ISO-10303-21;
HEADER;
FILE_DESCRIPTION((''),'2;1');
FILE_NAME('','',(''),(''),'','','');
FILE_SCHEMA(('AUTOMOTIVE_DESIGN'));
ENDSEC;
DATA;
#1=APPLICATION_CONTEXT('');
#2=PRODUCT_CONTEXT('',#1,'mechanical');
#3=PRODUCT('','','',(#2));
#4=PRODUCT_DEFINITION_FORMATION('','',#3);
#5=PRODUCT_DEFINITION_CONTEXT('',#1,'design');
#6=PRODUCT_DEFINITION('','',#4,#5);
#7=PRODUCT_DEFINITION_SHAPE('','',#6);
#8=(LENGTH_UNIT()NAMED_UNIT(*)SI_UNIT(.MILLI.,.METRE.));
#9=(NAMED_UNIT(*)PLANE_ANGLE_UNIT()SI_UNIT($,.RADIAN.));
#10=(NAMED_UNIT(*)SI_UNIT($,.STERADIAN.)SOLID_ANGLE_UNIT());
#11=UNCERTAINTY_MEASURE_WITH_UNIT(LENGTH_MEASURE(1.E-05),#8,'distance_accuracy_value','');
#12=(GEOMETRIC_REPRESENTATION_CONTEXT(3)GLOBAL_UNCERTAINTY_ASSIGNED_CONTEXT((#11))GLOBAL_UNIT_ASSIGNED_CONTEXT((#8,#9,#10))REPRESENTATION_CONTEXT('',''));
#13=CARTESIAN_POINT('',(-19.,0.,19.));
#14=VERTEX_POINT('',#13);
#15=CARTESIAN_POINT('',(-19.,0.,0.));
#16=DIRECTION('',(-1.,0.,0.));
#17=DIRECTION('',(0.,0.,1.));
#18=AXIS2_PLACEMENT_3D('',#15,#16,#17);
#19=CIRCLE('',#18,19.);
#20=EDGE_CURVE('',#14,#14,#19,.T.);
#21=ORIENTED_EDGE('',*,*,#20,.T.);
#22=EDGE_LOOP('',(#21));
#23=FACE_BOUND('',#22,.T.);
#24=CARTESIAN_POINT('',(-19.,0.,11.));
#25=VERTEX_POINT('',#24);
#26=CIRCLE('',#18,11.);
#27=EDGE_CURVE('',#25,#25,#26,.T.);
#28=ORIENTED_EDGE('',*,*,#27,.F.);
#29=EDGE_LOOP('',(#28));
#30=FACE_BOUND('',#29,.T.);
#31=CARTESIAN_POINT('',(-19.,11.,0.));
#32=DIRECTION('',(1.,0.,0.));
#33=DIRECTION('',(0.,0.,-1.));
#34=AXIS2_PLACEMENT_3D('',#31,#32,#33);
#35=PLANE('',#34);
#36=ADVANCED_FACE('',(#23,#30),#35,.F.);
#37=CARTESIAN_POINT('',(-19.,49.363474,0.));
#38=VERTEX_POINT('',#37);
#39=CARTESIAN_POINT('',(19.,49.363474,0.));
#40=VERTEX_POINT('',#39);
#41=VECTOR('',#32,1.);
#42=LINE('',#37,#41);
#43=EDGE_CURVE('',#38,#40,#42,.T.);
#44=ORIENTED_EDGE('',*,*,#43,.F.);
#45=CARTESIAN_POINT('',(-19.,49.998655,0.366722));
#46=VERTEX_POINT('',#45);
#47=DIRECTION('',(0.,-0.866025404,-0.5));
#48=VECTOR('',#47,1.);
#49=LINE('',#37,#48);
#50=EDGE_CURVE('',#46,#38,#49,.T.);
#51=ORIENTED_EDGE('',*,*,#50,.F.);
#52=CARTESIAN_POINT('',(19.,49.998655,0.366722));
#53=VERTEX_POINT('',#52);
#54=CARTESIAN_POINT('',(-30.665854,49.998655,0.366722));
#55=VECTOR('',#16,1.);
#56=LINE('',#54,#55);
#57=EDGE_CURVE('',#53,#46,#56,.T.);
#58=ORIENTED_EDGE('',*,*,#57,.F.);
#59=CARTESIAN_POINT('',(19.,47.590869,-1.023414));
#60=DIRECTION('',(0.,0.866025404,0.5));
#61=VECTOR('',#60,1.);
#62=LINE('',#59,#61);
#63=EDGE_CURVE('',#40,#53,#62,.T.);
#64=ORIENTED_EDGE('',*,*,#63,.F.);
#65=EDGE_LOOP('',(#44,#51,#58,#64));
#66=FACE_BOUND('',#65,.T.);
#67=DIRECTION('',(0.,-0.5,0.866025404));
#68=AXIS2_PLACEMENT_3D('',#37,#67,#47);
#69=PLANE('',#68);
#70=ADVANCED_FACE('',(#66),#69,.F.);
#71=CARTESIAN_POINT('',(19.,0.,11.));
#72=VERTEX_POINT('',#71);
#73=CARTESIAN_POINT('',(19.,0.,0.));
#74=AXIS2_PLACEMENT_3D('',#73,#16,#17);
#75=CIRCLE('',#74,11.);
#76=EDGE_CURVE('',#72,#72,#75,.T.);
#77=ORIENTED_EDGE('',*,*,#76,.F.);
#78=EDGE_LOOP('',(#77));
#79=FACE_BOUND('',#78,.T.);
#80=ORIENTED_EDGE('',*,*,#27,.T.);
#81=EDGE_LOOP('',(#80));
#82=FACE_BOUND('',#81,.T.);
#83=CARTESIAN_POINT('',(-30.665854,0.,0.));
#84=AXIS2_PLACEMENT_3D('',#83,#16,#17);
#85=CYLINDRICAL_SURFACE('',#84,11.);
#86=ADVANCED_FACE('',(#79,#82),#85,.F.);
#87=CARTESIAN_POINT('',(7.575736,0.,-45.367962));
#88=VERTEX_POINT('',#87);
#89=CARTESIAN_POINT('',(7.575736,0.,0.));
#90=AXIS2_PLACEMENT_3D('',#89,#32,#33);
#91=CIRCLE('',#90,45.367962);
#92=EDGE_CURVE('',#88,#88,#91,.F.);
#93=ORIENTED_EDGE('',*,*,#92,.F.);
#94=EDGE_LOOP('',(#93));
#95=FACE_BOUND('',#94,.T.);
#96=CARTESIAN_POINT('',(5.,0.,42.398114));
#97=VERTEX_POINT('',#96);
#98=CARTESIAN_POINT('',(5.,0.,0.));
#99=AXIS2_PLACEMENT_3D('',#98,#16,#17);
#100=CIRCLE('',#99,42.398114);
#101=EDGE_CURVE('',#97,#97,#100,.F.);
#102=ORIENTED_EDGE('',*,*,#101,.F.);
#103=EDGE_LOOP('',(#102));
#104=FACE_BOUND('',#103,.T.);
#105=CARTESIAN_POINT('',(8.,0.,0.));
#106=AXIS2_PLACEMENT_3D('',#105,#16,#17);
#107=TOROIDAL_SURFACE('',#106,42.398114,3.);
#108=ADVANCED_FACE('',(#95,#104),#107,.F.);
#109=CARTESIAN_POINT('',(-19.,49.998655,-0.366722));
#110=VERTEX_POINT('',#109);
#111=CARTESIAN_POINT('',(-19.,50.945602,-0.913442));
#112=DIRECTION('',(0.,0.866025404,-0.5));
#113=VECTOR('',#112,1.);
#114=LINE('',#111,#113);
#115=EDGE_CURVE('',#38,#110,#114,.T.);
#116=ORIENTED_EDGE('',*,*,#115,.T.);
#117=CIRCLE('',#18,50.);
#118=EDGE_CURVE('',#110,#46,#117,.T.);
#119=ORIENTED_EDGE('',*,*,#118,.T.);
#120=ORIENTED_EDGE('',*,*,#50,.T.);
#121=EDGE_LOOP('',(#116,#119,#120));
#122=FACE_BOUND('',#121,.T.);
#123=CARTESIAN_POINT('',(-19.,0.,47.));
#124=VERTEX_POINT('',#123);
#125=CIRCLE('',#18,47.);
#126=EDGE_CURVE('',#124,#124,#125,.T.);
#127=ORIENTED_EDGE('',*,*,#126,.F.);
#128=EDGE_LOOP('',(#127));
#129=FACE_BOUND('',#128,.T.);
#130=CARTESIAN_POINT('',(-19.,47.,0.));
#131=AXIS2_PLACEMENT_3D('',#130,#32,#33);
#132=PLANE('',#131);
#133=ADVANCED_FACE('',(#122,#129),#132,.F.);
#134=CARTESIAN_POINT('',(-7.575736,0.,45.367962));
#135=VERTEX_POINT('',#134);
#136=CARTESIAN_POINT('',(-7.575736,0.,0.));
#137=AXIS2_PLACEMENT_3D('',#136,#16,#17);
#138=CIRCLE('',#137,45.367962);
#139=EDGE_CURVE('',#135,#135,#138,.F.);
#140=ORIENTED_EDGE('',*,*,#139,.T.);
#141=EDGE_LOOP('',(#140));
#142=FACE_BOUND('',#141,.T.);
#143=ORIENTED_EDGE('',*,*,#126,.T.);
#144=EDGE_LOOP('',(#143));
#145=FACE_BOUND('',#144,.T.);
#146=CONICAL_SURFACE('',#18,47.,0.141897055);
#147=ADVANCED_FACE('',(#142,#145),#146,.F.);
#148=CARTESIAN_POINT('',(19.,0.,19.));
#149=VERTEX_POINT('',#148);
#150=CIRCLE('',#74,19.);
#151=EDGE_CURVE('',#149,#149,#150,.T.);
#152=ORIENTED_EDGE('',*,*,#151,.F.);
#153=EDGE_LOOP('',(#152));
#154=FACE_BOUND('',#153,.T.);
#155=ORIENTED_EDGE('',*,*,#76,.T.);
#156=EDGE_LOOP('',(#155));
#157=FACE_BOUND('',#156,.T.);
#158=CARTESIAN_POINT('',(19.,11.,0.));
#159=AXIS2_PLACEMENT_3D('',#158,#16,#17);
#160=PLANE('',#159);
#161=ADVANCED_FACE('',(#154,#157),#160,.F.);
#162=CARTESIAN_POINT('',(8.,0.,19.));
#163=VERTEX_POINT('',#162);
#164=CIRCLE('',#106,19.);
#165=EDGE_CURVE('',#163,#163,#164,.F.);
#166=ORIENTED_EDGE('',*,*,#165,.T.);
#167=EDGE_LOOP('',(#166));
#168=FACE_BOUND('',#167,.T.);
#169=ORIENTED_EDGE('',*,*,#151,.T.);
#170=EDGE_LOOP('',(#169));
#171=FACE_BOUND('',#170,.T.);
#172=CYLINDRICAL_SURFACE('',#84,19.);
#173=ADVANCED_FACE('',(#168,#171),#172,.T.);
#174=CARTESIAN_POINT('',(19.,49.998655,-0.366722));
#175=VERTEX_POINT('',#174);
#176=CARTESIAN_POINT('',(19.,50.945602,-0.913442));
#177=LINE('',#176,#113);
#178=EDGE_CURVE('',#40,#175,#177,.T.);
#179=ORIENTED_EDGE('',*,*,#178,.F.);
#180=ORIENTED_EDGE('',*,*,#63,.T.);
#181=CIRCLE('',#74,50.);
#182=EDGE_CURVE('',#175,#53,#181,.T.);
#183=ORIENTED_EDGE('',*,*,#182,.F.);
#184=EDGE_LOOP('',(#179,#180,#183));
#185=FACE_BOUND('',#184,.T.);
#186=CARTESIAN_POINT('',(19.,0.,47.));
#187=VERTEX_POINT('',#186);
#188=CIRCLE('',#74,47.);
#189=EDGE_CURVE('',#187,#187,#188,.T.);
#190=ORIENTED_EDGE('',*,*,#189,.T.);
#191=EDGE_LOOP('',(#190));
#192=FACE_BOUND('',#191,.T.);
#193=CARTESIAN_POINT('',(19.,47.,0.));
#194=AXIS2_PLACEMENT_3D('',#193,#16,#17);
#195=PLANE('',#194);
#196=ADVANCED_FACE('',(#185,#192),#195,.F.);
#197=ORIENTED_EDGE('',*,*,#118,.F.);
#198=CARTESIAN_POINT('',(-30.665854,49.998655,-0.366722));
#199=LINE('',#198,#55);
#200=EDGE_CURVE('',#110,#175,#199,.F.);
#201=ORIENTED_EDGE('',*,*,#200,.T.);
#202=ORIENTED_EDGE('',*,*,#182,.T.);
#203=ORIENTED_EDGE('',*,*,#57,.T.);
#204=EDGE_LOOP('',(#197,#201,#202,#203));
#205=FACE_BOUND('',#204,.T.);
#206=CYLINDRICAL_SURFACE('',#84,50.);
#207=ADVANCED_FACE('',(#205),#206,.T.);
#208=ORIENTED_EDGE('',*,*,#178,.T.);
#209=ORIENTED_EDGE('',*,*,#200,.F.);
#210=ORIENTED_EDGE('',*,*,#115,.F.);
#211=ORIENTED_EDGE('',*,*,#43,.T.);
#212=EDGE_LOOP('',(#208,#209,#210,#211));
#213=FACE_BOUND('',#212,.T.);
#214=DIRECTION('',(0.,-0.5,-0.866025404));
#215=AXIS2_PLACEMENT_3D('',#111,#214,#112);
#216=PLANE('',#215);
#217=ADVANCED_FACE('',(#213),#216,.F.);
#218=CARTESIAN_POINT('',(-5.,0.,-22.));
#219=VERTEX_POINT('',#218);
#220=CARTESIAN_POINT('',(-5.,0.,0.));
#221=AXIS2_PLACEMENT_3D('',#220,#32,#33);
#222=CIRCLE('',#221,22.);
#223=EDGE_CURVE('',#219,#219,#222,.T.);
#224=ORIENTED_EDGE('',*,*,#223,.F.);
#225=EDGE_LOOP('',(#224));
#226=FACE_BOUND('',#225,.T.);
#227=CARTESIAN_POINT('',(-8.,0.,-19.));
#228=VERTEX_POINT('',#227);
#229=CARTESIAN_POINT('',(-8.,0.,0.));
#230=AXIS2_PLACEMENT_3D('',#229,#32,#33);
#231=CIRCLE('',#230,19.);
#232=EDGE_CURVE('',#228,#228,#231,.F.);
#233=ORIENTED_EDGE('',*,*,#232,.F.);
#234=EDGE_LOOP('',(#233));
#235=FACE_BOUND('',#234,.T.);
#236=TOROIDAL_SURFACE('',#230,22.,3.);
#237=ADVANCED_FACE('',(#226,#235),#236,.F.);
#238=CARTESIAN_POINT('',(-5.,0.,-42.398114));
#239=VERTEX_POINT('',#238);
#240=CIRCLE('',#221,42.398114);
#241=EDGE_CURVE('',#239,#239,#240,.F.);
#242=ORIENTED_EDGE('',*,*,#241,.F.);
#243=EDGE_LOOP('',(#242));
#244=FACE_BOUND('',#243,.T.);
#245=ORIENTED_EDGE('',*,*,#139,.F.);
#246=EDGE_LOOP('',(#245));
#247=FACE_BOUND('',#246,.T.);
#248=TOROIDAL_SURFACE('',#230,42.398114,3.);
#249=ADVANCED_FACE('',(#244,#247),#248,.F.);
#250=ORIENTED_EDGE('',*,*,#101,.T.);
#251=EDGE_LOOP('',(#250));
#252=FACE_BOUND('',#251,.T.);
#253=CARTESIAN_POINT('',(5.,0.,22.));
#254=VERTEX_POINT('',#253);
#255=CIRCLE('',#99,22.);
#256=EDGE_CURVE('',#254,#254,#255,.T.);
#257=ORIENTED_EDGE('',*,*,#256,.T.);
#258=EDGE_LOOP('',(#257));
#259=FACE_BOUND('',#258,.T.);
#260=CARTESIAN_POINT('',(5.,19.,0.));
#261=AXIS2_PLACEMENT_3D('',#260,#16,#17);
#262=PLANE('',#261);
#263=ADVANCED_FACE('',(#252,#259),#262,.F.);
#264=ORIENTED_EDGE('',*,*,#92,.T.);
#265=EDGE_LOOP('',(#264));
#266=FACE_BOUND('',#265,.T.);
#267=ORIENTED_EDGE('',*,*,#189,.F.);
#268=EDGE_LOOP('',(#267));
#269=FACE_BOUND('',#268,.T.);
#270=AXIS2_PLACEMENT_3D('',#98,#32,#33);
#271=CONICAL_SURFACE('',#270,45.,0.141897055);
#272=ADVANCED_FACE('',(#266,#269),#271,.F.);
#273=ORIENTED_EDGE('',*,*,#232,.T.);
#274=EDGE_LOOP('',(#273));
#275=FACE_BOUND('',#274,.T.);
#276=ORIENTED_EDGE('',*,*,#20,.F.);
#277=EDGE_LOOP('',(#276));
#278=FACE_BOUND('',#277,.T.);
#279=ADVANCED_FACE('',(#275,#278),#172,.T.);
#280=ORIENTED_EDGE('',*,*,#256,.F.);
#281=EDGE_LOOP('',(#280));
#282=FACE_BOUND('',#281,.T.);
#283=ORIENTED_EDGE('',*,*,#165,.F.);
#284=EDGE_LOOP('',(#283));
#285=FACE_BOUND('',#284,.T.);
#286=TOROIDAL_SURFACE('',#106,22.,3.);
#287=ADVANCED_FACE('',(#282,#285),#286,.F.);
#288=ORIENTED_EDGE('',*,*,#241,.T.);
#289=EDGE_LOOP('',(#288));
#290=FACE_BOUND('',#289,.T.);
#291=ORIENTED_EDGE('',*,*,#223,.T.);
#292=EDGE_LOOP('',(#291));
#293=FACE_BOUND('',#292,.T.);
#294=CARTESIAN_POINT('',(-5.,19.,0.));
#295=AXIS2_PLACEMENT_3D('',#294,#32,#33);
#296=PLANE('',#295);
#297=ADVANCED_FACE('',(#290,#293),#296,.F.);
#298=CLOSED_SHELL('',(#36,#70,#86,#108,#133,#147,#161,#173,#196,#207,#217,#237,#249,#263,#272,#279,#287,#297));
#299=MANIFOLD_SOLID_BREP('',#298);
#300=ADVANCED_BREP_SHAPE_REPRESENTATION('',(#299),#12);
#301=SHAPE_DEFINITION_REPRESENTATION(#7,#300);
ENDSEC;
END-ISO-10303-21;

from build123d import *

# Parameters (mm, degrees)
FILLET_1_R          = 3
CUT_EXTRUDE_1_DEPTH = 81.274528962


with BuildPart() as part:
    # 草圖1 → 旋轉1 (revolve)
    with BuildSketch(Plane.XY, mode=Mode.PRIVATE) as revolve_1_sk:
        Polygon((-19, 11), (19, 11), (19, 19), (5, 19), (5, 45), (19, 47), (19, 50), (-19, 50), (-19, 47), (-5, 45), (-5, 19), (-19, 19), align=None)
    revolve(revolve_1_sk.sketch.rotate(Axis((-30.665853659, 0, 0), (1, 0, 0)), 90), axis=Axis((-30.665853659, 0, 0), (1, 0, 0)))

    # 圓角1
    fillet_1_edges = [part.edges().sort_by_distance(p)[0] for p in [
        (-5, 0, -19),
        (5, 0, -19),
        (5, 0, -45),
        (-5, 0, -45),
    ]]
    fillet(fillet_1_edges, radius=FILLET_1_R)

    # 草圖2 → 伸長1 (cut, through all)
    with BuildSketch(Plane(origin=(19, 0, 0), x_dir=(0, 0, -1), z_dir=(1, 0, 0))):
        Polygon((-0.913442032, 50.94560231), (0.913442032, 50.94560231), (0, 49.363474301), align=None)
    extrude(amount=-CUT_EXTRUDE_1_DEPTH, mode=Mode.SUBTRACT)


solid = part.part
